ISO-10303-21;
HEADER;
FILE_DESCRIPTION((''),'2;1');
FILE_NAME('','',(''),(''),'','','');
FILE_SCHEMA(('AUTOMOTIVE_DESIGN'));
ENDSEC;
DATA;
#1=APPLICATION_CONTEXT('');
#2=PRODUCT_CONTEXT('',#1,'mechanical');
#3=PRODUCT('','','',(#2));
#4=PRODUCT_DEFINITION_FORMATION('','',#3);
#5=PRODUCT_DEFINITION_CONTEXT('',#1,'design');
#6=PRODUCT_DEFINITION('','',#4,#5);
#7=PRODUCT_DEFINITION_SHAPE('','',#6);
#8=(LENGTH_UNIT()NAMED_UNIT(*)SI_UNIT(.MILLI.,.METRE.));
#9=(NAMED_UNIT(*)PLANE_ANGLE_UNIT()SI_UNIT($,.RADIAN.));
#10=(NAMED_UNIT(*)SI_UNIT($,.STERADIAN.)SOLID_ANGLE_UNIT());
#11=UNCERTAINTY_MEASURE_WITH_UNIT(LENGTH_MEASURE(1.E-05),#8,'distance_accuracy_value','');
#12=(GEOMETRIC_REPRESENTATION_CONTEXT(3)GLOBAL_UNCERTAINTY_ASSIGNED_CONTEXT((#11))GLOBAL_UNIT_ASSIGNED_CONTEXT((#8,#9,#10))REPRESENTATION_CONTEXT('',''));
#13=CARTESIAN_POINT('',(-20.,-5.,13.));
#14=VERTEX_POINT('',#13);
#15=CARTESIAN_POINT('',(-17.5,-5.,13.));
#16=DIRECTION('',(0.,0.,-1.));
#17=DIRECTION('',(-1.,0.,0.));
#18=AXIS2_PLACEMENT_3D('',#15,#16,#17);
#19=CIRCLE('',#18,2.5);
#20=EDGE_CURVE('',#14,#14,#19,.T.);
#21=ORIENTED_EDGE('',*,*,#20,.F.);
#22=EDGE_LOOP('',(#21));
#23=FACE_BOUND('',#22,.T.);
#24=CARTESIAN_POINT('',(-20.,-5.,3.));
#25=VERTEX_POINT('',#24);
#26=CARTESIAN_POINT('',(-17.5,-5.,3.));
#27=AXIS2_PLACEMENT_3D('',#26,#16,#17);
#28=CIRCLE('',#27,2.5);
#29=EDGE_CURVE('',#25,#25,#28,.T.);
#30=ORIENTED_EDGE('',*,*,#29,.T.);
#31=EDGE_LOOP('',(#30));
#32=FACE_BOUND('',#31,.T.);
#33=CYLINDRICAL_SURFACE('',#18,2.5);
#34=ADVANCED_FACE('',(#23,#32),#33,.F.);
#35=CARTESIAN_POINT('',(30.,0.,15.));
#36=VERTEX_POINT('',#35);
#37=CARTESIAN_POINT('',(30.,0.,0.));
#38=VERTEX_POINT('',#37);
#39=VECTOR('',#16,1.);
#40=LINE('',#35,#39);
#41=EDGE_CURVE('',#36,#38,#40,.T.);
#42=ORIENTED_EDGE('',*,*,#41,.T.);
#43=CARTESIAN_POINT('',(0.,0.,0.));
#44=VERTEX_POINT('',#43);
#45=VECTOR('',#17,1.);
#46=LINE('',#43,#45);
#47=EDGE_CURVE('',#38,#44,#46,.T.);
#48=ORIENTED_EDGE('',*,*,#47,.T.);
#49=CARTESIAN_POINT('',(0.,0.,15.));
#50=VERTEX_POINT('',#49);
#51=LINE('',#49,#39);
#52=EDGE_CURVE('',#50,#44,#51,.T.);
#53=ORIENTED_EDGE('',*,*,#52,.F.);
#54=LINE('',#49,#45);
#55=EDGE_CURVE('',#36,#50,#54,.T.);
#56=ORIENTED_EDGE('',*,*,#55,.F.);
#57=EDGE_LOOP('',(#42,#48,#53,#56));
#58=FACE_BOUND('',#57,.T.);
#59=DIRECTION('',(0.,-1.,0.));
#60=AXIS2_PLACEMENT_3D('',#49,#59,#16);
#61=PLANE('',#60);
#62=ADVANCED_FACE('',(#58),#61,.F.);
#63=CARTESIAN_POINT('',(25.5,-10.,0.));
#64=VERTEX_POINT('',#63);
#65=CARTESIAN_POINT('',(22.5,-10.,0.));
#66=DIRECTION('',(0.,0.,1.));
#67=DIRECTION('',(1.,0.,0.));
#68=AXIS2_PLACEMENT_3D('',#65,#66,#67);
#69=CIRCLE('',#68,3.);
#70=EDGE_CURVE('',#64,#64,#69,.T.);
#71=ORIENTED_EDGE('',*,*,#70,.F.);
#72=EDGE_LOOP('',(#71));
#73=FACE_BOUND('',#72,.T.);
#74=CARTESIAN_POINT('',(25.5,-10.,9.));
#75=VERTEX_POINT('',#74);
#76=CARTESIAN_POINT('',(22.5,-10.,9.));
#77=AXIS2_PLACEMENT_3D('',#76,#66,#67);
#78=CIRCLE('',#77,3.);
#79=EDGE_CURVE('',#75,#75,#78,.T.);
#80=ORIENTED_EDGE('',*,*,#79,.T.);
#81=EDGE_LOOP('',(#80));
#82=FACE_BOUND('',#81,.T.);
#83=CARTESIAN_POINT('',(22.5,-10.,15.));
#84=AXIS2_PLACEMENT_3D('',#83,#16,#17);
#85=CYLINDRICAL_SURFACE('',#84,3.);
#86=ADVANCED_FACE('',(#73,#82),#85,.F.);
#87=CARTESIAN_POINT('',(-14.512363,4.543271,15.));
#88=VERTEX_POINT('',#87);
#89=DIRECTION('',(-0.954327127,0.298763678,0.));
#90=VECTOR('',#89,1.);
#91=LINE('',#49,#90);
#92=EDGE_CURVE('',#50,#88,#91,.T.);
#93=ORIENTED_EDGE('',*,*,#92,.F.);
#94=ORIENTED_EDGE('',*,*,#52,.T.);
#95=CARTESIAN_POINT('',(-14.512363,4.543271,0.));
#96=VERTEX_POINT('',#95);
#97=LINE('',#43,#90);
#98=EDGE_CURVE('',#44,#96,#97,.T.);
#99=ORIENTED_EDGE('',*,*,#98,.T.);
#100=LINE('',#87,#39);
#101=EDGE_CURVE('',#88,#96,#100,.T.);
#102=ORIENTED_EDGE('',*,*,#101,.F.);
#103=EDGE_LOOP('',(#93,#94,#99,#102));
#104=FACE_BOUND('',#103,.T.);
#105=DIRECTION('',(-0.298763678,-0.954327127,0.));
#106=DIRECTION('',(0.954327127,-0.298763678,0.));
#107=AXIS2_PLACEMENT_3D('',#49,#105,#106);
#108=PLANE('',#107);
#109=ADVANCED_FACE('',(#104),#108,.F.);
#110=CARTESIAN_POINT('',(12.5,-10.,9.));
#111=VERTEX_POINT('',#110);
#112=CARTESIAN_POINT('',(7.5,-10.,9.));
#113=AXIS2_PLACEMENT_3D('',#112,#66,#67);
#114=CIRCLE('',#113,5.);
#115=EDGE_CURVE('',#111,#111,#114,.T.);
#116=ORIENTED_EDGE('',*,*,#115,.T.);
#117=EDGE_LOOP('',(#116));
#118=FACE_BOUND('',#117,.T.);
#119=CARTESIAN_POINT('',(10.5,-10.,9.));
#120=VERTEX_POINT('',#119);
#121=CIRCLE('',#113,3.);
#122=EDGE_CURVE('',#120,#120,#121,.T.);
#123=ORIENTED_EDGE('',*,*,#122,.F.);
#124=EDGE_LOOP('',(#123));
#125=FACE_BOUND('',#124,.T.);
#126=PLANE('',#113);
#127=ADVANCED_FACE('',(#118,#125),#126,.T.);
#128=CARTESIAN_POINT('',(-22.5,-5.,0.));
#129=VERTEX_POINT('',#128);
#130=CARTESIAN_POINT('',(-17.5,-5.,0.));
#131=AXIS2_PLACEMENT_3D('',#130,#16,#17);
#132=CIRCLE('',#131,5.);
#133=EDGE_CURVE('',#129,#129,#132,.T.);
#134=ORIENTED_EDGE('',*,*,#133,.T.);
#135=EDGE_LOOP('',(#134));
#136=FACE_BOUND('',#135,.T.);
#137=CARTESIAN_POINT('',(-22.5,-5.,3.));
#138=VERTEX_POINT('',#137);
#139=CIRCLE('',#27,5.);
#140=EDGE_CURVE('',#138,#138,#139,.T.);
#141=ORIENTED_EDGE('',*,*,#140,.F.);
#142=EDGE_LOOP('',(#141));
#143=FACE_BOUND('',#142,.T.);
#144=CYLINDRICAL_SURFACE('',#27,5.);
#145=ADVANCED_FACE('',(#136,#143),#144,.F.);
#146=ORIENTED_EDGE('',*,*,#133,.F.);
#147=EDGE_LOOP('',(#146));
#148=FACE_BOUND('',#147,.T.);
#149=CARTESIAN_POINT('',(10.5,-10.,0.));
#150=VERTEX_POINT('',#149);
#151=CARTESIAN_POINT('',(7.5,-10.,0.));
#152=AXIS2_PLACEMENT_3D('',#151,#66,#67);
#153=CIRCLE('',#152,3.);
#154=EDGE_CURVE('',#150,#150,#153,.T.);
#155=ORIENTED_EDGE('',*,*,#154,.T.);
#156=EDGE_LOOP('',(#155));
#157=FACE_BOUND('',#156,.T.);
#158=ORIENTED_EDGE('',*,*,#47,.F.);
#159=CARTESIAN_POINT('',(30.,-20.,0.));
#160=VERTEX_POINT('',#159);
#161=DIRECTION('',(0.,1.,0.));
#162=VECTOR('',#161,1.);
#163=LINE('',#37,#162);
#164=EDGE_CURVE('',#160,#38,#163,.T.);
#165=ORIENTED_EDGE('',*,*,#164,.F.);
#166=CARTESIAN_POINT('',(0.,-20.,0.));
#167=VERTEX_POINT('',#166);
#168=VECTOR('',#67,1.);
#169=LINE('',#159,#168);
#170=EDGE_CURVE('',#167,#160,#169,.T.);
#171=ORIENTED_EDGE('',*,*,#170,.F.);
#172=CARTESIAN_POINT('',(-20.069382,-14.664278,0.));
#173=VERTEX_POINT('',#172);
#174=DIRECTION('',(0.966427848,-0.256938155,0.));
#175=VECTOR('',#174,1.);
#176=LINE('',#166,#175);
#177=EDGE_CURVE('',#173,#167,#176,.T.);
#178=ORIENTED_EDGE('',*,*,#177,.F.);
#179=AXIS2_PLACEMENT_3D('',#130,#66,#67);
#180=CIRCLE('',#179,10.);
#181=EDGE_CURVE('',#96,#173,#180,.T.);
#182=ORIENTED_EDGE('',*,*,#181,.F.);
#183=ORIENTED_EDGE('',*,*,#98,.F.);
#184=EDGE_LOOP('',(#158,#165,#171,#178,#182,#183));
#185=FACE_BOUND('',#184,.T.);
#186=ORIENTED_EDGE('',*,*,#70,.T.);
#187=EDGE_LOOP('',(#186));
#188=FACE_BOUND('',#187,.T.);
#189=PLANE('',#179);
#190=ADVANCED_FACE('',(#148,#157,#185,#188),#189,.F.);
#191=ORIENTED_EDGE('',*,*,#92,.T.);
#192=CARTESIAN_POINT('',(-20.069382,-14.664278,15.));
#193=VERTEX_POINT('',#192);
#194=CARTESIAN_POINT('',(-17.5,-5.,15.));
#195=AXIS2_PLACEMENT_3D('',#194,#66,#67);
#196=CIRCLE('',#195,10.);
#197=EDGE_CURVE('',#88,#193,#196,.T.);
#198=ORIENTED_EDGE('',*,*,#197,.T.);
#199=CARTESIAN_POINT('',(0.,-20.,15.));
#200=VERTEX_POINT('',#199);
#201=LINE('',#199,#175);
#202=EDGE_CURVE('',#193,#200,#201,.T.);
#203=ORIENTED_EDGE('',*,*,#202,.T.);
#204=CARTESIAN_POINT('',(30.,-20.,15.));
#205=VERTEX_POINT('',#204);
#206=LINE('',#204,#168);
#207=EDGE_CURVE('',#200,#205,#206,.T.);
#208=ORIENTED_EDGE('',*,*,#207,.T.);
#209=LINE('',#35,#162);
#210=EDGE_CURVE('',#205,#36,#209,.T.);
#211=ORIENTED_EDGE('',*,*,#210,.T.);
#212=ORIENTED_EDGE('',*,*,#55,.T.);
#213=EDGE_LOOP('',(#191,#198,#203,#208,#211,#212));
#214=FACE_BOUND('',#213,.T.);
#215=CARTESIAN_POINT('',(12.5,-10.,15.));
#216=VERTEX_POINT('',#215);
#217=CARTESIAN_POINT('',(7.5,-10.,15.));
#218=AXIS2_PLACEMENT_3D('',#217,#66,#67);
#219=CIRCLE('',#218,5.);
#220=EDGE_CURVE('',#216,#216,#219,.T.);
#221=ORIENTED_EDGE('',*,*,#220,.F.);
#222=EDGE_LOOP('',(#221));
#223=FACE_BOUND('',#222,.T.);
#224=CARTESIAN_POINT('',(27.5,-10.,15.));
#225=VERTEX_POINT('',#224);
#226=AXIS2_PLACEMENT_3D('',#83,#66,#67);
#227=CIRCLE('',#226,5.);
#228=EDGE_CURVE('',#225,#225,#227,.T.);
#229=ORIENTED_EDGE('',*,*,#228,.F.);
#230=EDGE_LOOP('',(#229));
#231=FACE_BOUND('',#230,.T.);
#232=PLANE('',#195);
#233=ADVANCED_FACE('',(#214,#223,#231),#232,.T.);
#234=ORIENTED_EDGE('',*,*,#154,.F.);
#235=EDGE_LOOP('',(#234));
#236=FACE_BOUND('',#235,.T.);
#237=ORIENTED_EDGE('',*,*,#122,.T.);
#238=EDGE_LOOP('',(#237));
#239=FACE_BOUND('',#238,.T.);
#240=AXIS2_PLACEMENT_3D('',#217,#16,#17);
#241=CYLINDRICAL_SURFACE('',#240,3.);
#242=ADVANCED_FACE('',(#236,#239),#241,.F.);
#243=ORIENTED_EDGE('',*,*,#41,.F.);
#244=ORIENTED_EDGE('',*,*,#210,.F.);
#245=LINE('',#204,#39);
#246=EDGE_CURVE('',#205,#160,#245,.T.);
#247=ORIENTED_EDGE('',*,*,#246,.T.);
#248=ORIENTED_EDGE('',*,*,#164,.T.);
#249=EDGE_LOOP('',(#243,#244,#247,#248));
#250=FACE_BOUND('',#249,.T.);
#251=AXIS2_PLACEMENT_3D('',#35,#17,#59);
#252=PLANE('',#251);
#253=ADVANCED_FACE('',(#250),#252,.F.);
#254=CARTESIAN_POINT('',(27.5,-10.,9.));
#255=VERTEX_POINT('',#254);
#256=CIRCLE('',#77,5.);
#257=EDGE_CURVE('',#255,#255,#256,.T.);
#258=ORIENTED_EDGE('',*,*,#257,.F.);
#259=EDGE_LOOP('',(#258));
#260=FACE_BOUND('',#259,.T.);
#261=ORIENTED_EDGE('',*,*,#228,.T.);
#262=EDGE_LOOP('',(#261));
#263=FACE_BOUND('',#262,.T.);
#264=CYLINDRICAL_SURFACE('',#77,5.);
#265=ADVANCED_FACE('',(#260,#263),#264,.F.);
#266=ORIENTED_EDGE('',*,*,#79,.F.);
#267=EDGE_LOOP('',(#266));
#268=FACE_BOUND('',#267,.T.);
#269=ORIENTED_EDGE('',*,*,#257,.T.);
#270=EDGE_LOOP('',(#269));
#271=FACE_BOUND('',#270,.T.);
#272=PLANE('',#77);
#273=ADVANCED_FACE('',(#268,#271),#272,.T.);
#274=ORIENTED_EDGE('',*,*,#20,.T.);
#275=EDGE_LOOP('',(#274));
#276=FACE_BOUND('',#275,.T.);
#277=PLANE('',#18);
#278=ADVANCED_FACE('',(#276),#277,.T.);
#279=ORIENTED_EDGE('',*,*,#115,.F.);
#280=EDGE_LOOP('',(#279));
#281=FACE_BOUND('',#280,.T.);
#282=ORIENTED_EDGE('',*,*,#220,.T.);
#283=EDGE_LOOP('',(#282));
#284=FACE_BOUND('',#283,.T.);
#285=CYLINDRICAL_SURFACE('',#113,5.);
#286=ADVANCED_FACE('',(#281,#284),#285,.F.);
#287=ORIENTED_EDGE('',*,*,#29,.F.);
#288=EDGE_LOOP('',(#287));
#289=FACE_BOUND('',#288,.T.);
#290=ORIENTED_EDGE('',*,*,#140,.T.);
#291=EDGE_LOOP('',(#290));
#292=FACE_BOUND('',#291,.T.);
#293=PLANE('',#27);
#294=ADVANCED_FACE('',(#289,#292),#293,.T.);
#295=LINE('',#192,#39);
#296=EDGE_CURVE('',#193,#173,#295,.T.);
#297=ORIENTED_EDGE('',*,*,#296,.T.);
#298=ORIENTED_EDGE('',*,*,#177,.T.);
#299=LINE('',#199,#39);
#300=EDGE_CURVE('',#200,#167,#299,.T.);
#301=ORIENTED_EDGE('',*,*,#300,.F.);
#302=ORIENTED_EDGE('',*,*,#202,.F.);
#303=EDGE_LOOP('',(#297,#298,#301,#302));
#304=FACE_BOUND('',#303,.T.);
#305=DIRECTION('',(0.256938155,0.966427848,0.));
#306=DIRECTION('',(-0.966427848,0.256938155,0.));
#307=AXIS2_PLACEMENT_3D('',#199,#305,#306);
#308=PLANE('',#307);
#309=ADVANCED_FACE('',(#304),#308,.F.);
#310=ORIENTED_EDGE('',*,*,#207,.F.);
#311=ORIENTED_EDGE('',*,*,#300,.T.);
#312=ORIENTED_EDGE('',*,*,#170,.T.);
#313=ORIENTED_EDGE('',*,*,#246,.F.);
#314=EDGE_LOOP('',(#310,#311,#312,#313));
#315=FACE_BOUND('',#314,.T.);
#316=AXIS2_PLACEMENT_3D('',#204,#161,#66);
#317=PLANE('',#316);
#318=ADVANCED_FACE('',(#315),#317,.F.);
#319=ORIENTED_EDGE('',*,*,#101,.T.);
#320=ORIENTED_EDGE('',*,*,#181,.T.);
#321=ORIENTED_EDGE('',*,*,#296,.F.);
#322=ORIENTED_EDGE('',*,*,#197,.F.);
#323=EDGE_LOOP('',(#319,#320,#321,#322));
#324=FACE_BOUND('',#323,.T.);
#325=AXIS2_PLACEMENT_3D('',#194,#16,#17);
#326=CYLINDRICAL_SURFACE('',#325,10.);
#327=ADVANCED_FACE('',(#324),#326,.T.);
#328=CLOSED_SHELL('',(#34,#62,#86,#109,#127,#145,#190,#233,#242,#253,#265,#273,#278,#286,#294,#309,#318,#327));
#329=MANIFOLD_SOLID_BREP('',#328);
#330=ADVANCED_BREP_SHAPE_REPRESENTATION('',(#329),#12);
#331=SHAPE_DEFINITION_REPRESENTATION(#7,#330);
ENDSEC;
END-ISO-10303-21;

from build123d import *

# Parameters (mm, degrees)
SKETCH_1_R          = 3
EXTRUDE_1_DEPTH     = 15
SKETCH_2_R          = 5
CUT_EXTRUDE_1_DEPTH = 6
SKETCH_3_R          = 5
CUT_EXTRUDE_2_DEPTH = 3
SKETCH_4_R          = 2.5
CUT_EXTRUDE_3_DEPTH = 10


with BuildPart() as part:
    # 草图1 → 凸台-拉伸1 (new body)
    with BuildSketch(Plane.XY):
        with BuildLine():
            Line((0, 0), (30, 0))
            Line((30, 0), (30, -20))
            Line((30, -20), (0, -20))
            Line((0, -20), (-20.06938155, -14.664278475))
            ThreePointArc((-20.06938155, -14.664278475), (-27.106051537, -2.220832162), (-14.512363219, 4.543271266))
            Line((-14.512363219, 4.543271266), (0, 0))
        make_face()
        with Locations((7.5, -10)):
            Circle(SKETCH_1_R, mode=Mode.SUBTRACT)
        with Locations((22.5, -10)):
            Circle(SKETCH_1_R, mode=Mode.SUBTRACT)
    extrude(amount=EXTRUDE_1_DEPTH)

    # 草图2 → 切除-拉伸1 (cut)
    with BuildSketch(Plane.XY.offset(15)):
        with Locations((7.5, -10)):
            Circle(SKETCH_2_R)
        with Locations((22.5, -10)):
            Circle(SKETCH_2_R)
    extrude(amount=-CUT_EXTRUDE_1_DEPTH, mode=Mode.SUBTRACT)

    # 草图3 → 切除-拉伸2 (cut)
    with BuildSketch(Plane(origin=(0, 0, 0), x_dir=(-1, 0, 0), z_dir=(0, 0, -1))):
        with Locations((17.5, -5)):
            Circle(SKETCH_3_R)
    extrude(amount=-CUT_EXTRUDE_2_DEPTH, mode=Mode.SUBTRACT)

    # 草图4 → 切除-拉伸3 (cut)
    with BuildSketch(Plane(origin=(0, 0, 3), x_dir=(-1, 0, 0), z_dir=(0, 0, -1))):
        with Locations((17.5, -5)):
            Circle(SKETCH_4_R)
    extrude(amount=-CUT_EXTRUDE_3_DEPTH, mode=Mode.SUBTRACT)


solid = part.part
